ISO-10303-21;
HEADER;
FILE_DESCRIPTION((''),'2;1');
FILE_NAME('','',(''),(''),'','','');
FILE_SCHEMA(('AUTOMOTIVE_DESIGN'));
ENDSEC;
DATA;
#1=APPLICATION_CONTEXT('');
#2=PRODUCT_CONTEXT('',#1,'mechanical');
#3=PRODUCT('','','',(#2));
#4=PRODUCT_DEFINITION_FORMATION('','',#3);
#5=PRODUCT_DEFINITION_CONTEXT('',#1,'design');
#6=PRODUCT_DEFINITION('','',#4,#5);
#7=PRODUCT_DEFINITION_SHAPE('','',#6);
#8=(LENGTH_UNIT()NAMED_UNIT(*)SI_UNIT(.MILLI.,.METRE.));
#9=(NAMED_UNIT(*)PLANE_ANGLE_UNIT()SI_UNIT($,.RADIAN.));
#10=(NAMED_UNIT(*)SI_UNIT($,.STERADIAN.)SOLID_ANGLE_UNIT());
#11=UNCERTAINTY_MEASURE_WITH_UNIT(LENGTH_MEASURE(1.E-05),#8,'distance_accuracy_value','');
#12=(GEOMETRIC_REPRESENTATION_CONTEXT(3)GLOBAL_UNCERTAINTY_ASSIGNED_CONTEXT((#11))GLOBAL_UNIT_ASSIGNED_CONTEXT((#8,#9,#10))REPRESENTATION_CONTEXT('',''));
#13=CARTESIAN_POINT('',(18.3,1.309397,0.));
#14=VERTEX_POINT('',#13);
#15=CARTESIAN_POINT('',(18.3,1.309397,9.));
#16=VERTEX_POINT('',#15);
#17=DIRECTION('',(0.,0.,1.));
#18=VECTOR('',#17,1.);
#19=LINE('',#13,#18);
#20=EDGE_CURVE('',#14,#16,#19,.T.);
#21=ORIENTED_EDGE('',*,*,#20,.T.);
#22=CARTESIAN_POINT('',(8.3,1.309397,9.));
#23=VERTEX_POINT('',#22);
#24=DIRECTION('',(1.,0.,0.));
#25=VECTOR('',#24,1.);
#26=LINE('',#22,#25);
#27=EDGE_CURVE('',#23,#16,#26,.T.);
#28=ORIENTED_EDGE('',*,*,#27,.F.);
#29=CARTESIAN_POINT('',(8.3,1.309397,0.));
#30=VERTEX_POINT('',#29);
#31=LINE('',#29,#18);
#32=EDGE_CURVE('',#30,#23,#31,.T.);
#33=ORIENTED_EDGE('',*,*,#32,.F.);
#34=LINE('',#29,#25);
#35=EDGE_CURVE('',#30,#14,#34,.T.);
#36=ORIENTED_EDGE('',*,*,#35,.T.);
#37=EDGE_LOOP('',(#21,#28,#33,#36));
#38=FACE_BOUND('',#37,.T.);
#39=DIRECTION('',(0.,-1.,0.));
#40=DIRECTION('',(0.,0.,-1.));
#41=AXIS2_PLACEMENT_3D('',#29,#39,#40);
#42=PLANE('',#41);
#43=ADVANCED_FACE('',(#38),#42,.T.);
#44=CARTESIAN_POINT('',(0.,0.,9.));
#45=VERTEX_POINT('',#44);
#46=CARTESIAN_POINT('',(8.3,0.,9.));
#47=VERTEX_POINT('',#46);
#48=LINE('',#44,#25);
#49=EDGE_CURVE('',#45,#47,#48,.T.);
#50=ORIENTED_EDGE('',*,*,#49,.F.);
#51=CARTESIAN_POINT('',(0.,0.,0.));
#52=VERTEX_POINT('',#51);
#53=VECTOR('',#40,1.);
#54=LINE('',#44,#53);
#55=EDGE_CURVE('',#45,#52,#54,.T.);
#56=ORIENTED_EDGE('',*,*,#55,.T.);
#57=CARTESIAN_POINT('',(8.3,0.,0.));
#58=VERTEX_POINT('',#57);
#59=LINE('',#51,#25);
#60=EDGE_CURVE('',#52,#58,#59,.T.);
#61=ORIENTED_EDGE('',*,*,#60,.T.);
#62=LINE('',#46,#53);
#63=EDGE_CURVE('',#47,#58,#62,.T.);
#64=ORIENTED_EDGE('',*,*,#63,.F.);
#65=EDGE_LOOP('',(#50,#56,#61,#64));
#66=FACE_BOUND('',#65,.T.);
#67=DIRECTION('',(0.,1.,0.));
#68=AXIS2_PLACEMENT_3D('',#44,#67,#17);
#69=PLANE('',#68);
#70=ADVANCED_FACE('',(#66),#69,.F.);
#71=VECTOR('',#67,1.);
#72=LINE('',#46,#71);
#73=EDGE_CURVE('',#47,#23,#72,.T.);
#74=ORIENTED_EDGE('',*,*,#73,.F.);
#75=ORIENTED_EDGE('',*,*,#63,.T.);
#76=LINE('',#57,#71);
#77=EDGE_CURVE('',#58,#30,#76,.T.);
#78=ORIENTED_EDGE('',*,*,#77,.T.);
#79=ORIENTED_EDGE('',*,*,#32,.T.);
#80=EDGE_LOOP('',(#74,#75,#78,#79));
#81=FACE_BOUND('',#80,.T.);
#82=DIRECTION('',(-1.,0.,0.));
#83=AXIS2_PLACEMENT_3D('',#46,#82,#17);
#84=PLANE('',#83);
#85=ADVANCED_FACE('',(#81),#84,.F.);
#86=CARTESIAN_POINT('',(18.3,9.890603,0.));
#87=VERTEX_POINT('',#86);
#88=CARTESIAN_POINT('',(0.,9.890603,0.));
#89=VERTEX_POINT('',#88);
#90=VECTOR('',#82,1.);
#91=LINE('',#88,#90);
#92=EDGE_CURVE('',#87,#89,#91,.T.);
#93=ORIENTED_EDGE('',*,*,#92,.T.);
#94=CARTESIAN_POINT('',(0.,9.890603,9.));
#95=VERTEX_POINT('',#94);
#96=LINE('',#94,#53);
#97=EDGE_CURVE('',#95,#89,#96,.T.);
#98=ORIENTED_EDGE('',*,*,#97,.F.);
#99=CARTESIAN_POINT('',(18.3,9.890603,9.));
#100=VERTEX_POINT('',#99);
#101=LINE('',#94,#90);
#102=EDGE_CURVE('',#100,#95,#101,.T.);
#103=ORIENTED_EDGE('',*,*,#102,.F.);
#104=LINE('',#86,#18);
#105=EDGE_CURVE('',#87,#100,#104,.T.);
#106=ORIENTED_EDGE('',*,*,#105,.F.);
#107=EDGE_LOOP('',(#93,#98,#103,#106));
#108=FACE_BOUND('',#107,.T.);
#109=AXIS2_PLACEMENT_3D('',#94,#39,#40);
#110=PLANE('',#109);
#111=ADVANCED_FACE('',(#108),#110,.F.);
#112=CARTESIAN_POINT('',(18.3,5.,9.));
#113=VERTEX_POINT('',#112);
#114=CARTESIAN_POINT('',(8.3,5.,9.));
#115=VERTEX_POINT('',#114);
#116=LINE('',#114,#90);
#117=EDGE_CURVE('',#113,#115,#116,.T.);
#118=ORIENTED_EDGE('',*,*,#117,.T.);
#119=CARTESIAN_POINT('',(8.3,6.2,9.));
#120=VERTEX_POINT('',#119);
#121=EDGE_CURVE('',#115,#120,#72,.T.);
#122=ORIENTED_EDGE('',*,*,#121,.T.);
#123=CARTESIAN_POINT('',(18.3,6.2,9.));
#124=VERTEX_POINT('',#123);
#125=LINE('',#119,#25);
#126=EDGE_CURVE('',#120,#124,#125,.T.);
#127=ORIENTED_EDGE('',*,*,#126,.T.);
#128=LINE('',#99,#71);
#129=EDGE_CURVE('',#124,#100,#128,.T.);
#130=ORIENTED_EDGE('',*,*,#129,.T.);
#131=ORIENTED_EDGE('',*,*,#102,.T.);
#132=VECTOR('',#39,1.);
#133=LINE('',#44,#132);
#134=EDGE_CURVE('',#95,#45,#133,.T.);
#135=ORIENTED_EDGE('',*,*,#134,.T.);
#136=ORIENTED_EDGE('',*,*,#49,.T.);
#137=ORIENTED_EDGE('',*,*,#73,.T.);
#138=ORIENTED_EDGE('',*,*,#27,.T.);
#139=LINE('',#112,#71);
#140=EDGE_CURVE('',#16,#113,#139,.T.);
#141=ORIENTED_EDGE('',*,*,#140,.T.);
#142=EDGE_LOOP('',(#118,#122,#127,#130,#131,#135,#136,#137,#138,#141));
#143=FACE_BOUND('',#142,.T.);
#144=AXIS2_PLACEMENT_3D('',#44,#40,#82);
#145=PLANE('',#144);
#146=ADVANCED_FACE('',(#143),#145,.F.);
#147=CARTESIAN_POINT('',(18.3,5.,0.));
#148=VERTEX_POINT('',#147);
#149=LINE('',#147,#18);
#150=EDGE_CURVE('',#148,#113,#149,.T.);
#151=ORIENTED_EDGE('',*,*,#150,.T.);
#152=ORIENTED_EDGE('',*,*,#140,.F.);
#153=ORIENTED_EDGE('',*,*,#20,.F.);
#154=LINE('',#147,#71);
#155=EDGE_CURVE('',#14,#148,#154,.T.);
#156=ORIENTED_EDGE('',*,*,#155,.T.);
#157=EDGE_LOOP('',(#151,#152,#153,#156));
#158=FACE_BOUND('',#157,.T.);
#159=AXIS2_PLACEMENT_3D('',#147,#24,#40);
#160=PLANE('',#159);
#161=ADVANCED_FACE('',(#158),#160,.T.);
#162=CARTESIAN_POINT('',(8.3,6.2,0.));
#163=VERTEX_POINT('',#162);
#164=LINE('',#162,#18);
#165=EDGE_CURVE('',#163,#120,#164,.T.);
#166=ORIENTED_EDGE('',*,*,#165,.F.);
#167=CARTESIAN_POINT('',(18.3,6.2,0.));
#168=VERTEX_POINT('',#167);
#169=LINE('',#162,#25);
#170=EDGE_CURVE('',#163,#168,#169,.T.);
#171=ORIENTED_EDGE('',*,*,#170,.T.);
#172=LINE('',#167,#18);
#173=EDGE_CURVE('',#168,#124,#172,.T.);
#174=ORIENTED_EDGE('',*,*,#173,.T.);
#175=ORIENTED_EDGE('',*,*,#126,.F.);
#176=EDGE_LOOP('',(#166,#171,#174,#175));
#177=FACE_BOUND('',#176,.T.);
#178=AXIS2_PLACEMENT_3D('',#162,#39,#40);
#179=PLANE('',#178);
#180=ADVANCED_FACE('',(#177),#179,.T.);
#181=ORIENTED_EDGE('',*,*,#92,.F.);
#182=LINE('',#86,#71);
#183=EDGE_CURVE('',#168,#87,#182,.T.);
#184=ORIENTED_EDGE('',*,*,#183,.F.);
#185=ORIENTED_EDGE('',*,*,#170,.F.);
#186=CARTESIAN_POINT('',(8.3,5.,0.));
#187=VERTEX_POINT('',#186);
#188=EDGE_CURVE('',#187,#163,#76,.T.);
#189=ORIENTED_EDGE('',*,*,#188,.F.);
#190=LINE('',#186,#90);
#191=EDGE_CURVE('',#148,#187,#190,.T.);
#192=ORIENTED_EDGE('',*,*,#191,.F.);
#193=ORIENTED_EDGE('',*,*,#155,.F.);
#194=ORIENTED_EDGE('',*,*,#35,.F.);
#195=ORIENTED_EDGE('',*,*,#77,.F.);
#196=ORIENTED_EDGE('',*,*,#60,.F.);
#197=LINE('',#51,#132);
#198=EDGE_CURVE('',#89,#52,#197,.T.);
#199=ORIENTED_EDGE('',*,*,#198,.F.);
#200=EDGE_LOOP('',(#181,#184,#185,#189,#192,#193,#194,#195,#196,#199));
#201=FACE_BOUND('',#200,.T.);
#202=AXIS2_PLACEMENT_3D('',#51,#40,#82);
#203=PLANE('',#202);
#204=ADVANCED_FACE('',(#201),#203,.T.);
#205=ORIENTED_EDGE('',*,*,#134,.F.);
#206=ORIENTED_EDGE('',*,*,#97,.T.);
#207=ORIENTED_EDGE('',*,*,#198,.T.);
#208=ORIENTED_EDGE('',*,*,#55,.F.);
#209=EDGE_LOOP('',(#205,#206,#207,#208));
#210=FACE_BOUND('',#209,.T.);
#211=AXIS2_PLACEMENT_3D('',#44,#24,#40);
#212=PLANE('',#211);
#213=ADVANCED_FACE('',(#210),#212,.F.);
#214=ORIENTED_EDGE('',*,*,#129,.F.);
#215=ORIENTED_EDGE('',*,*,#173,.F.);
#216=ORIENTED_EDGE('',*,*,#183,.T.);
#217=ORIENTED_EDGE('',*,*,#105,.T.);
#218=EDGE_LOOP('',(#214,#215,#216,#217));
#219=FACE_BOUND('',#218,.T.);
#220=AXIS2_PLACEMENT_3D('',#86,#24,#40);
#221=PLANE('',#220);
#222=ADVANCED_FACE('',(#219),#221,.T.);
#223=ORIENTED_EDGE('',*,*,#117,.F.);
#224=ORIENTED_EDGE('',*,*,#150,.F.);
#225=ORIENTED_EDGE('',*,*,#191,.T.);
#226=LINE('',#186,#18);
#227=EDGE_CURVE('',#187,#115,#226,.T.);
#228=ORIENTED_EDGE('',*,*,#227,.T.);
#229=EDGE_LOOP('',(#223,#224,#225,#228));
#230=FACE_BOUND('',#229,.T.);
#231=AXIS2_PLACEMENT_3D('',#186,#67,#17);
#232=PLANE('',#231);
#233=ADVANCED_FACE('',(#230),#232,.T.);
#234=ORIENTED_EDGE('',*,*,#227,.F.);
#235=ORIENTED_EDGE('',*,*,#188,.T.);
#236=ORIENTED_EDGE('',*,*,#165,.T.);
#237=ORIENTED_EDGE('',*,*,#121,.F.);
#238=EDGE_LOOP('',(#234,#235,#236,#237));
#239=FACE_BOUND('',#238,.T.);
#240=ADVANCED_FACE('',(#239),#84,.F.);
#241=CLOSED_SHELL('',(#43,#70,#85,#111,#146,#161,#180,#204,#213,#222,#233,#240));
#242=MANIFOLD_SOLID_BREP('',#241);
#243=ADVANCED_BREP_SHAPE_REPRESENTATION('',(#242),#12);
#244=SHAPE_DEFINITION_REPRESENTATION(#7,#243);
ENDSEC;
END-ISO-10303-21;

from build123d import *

# Parameters (mm, degrees)
SKETCH1_W           = 8.3
SKETCH1_H           = 9.8906033
BOSS_EXTRUDE1_DEPTH = 9
SKETCH2_W           = 10
SKETCH2_H           = 3.6906033
BOSS_EXTRUDE2_DEPTH = 9


with BuildPart() as part:
    # Sketch1 → Boss-Extrude1 (new body)
    with BuildSketch(Plane.XY):
        with Locations((4.15, 4.94530165)):
            Rectangle(SKETCH1_W, SKETCH1_H)
    extrude(amount=BOSS_EXTRUDE1_DEPTH)

    # Sketch2 → Boss-Extrude2 (add, through all)
    with BuildSketch(Plane.XY.offset(9)):
        with Locations((13.3, 8.04530165)):
            Rectangle(SKETCH2_W, SKETCH2_H)
        with Locations((13.3, 3.15469835)):
            Rectangle(SKETCH2_W, SKETCH2_H)
    extrude(amount=-BOSS_EXTRUDE2_DEPTH)


solid = part.part
